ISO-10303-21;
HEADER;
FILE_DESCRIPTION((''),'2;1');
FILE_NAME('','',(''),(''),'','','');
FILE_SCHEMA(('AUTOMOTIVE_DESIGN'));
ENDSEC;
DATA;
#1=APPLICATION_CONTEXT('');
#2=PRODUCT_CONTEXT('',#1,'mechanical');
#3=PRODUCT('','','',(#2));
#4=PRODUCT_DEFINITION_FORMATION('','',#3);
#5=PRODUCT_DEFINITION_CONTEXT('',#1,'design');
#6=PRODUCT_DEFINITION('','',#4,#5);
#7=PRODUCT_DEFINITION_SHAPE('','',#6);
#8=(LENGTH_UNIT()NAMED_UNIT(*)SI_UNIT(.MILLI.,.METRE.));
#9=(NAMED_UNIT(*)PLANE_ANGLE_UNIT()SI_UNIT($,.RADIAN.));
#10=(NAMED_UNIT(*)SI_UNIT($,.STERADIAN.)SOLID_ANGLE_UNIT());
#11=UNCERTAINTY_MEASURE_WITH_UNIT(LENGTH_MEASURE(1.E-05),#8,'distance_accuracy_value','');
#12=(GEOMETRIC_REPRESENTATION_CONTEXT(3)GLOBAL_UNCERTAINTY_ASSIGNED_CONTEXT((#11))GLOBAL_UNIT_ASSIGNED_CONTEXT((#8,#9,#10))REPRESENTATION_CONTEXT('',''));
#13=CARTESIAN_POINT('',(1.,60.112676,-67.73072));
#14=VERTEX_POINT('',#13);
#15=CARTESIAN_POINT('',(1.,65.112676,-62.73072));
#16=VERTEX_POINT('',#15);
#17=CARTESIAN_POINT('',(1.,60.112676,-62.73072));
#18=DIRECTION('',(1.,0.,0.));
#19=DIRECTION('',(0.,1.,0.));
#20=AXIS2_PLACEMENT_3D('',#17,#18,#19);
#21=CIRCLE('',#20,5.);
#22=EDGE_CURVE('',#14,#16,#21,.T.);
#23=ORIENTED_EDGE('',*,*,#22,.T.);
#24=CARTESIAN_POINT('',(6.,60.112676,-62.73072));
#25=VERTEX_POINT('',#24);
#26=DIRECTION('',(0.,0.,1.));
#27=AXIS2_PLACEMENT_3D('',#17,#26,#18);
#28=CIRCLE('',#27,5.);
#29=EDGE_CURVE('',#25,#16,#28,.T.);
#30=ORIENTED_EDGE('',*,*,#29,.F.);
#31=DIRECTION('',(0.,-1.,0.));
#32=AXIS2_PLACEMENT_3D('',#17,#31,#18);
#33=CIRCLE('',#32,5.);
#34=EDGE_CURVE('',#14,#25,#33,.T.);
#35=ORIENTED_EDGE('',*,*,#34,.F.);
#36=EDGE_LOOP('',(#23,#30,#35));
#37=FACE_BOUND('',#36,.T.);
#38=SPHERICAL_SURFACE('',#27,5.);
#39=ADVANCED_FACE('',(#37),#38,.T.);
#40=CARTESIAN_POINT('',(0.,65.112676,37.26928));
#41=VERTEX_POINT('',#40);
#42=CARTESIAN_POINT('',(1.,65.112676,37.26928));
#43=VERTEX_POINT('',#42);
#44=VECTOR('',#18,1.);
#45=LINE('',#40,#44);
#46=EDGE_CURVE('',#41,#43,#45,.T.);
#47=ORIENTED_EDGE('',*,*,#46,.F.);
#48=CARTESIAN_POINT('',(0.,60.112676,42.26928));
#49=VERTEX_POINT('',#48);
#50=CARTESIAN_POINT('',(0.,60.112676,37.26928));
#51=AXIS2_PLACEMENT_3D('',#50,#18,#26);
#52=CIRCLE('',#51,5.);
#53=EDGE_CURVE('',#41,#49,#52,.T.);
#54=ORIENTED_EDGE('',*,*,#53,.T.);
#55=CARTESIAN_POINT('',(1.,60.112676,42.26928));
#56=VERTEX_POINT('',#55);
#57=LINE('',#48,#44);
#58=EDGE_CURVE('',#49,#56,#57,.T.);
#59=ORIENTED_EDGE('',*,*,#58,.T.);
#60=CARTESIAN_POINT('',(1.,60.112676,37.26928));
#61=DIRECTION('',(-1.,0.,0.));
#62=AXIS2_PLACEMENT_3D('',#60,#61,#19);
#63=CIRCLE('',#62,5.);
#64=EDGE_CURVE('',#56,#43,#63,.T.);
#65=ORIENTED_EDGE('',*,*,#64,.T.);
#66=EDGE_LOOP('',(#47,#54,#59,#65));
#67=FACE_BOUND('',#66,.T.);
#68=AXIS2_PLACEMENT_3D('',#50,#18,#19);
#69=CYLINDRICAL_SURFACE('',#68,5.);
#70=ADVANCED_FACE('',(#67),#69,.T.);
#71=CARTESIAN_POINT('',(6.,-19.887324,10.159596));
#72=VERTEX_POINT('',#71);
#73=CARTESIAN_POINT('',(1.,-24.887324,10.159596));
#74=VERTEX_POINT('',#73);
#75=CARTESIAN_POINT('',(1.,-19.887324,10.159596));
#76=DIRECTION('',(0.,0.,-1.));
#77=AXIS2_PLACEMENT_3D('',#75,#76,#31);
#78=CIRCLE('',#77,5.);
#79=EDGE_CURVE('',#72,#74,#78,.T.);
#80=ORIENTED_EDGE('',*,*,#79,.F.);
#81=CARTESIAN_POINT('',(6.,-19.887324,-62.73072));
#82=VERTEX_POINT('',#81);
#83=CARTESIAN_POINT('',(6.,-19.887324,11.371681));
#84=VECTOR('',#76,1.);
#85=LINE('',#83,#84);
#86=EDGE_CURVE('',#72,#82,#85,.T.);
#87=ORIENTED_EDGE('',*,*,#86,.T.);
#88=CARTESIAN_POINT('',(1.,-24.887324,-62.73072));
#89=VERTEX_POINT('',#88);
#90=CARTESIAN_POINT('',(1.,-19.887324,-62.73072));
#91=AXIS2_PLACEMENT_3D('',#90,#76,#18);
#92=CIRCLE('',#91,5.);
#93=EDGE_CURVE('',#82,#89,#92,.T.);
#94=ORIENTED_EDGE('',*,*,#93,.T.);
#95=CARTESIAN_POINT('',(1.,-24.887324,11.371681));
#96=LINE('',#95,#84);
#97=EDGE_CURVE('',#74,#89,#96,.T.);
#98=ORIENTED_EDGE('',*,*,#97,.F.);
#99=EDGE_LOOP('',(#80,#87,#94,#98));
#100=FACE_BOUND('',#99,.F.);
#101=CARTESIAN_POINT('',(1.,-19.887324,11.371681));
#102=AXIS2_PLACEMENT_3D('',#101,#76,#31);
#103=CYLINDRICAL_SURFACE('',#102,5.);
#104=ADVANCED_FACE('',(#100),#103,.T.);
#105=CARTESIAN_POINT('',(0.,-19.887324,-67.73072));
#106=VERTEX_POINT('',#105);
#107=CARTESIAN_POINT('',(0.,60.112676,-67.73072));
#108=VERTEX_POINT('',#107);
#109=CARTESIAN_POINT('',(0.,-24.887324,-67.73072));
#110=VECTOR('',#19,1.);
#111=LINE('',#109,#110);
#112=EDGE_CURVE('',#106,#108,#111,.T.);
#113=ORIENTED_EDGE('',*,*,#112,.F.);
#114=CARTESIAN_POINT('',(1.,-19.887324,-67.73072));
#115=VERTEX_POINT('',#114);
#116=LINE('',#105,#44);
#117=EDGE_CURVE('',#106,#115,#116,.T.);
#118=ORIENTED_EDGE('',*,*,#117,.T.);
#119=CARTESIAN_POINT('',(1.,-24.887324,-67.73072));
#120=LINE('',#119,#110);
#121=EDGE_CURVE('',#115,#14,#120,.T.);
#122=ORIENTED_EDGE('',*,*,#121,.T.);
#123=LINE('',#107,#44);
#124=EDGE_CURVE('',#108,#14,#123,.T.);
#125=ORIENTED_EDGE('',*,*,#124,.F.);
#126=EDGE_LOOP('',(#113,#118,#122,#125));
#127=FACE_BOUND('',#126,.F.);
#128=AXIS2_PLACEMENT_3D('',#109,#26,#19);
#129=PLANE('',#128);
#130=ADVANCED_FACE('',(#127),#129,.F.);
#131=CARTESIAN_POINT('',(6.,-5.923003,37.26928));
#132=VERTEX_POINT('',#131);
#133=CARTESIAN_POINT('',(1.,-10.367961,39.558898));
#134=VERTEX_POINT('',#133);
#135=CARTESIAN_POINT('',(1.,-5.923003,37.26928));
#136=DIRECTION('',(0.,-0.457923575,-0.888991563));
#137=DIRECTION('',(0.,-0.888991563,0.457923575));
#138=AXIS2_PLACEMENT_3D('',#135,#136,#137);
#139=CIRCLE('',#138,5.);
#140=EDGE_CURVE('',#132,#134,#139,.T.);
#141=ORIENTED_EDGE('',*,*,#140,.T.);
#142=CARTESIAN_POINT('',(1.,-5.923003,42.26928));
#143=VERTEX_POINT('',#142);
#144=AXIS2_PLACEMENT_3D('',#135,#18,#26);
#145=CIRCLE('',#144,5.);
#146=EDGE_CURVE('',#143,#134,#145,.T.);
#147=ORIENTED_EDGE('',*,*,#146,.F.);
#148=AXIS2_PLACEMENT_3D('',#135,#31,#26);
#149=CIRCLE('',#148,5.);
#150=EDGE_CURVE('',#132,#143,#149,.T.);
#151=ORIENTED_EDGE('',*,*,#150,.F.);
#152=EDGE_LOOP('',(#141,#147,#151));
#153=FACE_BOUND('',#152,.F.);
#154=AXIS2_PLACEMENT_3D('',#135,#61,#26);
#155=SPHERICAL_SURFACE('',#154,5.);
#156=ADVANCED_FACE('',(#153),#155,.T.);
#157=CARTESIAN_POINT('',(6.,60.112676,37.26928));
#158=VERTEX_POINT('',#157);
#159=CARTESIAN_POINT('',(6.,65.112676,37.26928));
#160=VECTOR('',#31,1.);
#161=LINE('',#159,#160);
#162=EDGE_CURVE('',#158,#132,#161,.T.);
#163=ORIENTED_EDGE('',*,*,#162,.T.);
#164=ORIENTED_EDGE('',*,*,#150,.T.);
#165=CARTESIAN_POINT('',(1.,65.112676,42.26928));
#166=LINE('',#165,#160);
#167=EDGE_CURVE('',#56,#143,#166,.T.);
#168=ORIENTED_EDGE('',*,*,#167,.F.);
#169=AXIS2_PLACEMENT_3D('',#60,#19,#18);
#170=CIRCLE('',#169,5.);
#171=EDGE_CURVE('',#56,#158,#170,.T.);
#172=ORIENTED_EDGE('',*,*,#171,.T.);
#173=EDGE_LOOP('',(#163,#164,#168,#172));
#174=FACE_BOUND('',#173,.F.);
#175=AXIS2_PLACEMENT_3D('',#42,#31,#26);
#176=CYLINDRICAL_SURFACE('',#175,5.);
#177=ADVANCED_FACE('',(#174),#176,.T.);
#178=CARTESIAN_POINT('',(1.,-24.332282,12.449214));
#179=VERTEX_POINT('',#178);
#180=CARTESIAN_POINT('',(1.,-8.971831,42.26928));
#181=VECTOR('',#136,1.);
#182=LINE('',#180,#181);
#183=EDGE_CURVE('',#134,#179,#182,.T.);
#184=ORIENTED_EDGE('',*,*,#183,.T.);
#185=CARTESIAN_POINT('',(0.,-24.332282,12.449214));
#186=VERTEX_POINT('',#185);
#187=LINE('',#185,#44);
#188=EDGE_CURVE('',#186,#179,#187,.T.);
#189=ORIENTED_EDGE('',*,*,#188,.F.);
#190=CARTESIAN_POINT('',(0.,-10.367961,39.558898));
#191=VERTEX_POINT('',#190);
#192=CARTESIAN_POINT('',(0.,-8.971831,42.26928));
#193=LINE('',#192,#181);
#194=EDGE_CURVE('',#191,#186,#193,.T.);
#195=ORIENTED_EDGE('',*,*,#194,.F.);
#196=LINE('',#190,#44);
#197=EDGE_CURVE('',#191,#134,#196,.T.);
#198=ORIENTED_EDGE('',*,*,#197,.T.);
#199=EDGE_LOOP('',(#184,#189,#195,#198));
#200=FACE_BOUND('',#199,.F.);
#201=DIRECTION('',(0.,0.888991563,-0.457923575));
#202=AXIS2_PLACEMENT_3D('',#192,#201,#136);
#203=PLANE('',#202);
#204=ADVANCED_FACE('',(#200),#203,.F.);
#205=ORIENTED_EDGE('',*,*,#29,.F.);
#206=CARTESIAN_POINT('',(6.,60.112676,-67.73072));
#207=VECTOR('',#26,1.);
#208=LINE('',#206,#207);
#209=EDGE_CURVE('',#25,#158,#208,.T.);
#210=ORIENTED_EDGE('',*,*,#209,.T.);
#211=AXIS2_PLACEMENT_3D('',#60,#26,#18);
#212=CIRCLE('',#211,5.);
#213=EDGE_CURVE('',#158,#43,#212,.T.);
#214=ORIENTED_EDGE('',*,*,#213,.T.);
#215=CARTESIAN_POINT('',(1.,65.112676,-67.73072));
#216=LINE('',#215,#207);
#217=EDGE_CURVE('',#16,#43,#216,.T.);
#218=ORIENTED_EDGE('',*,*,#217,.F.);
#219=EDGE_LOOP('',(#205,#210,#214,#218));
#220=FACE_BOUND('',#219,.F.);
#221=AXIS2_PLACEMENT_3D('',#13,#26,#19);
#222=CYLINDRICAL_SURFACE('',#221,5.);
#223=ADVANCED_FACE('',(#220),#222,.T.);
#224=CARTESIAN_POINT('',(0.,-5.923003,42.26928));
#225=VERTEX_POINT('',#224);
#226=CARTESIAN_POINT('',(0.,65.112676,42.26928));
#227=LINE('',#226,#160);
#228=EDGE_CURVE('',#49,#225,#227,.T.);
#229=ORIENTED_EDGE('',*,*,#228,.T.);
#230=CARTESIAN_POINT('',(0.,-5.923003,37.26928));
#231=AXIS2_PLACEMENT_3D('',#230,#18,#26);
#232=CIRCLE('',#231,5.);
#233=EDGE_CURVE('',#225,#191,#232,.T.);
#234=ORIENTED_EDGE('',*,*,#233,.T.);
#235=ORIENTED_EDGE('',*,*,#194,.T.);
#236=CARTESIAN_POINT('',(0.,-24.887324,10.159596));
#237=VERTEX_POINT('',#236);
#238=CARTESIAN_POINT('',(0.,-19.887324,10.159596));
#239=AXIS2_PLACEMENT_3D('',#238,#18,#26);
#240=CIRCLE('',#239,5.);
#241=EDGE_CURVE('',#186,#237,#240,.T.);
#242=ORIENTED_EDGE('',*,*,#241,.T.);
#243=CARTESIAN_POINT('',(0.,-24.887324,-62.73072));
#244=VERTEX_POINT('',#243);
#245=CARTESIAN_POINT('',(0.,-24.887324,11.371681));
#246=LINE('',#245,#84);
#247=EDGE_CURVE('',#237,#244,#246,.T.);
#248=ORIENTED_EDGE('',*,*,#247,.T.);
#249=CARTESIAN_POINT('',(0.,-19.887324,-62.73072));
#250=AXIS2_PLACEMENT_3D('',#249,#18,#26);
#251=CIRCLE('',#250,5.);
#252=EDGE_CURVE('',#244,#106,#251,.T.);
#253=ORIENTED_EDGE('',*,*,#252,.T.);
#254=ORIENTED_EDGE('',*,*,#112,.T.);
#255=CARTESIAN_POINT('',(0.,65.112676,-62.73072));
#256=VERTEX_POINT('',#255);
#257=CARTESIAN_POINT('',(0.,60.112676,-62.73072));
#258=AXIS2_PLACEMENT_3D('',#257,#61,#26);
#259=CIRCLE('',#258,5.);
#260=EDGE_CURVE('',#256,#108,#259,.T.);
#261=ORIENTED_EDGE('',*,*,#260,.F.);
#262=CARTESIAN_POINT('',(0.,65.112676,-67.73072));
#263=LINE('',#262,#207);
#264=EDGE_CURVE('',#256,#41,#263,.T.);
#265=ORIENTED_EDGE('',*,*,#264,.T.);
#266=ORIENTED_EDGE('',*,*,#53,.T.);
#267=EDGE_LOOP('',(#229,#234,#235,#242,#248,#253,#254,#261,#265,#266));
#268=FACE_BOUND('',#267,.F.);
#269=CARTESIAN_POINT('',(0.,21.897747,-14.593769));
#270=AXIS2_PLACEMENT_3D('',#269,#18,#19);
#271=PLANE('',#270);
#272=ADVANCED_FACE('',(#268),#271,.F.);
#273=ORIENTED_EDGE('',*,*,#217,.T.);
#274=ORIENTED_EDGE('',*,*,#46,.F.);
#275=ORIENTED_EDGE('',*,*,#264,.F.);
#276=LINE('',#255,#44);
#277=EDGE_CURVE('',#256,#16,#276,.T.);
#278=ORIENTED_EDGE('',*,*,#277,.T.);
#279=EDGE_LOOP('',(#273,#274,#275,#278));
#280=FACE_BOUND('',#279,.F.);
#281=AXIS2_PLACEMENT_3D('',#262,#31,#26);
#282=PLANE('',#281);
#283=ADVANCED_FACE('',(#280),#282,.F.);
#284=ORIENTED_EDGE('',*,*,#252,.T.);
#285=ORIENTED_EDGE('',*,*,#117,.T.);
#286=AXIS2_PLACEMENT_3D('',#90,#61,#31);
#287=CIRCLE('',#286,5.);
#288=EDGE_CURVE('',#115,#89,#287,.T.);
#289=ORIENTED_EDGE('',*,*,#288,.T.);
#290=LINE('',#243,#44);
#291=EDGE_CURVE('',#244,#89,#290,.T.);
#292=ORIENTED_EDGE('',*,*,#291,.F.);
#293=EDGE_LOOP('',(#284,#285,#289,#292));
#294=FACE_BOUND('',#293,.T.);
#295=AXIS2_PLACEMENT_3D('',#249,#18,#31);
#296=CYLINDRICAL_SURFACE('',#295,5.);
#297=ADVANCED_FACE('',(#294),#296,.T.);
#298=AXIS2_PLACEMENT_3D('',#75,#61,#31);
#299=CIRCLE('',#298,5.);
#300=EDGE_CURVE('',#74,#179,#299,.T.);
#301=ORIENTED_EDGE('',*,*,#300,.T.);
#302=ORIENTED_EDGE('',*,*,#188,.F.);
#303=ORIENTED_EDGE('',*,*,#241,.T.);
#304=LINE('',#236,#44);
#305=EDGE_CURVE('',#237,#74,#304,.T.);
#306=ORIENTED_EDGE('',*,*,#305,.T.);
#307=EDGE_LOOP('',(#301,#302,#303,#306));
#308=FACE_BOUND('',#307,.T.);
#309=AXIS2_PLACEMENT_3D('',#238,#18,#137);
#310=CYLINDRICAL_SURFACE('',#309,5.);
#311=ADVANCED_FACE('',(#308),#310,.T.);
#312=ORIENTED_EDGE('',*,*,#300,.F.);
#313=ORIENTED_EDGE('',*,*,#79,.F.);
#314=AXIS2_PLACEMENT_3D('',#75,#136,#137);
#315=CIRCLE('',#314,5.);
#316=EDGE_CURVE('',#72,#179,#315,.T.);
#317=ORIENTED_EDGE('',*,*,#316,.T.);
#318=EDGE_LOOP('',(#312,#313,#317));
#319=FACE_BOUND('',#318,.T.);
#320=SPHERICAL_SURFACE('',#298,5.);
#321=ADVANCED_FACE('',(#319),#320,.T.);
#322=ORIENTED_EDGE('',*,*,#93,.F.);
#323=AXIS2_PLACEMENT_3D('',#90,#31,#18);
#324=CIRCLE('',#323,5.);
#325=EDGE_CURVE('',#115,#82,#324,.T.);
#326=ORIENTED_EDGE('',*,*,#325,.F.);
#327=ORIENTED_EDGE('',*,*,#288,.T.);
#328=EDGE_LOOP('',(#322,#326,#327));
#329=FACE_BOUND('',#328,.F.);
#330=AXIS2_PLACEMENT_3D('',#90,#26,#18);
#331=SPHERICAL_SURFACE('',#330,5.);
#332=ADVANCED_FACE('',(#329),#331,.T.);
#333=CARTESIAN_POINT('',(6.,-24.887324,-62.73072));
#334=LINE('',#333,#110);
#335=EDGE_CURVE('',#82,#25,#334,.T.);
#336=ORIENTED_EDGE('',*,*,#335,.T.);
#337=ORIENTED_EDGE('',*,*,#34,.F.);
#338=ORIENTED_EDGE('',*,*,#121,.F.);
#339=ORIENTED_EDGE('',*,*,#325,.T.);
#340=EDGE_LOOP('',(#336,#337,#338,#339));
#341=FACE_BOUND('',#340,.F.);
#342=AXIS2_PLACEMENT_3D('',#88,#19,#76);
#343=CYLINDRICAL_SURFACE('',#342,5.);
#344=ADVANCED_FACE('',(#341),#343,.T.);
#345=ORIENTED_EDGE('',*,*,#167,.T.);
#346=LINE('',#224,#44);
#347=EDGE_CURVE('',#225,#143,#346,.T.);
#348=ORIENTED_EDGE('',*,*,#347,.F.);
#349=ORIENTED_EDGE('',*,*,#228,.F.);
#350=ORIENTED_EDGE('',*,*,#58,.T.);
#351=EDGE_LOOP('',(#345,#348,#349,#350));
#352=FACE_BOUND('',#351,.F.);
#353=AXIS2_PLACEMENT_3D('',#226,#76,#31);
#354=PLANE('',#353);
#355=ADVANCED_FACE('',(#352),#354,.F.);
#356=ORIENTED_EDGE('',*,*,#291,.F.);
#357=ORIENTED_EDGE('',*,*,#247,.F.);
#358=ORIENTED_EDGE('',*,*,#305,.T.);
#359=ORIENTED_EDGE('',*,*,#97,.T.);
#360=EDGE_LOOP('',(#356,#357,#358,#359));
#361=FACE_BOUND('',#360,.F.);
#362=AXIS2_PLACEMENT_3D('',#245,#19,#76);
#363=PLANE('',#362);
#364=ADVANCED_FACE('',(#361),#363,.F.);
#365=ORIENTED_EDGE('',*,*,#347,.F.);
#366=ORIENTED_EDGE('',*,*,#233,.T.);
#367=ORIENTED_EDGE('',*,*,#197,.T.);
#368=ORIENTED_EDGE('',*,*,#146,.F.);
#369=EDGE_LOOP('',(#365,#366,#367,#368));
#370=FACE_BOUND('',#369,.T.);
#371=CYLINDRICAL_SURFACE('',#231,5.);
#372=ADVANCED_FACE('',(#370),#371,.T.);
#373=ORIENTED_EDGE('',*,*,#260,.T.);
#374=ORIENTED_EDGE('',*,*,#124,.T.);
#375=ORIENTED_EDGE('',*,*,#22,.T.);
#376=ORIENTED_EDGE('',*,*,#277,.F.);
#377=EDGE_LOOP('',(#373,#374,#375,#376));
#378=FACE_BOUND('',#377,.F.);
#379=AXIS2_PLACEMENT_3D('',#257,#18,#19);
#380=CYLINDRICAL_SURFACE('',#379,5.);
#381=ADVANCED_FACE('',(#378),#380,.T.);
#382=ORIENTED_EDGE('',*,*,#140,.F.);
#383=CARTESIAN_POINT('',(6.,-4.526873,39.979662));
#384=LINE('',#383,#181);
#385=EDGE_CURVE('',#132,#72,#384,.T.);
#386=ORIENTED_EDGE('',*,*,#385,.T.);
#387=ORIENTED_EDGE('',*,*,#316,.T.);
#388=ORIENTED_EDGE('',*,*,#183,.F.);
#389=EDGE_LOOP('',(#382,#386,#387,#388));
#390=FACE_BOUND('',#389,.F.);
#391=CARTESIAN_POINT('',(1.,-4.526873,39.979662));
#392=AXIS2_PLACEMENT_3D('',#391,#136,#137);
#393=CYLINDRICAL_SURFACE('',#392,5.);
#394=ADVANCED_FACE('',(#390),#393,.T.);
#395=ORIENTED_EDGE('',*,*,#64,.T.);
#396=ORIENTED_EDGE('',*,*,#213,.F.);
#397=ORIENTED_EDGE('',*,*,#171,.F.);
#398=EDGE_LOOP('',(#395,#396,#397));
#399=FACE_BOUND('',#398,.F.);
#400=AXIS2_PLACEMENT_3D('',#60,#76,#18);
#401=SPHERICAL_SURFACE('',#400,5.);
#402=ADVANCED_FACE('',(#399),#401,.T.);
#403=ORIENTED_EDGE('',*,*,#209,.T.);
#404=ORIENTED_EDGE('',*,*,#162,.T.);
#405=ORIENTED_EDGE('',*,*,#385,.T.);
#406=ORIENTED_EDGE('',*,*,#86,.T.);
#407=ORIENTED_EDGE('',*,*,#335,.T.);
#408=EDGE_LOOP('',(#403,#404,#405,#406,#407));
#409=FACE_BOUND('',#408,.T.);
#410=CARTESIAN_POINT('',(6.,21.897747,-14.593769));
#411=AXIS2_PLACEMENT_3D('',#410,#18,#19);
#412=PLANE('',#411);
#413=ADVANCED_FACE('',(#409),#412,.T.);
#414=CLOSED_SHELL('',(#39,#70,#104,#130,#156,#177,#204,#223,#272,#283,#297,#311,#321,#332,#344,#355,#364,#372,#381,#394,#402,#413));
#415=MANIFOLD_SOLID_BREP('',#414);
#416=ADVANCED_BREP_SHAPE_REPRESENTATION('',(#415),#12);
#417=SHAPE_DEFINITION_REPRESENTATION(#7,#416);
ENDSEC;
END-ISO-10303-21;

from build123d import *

# Parameters (mm, degrees)
F1_DEPTH = 6
F2_R     = 5


with BuildPart() as f1:
    # F0 (on Right) → F1 (new body)
    with BuildSketch(Plane.YZ):
        Polygon((65.112676, -67.73072), (65.112676, 42.26928), (-8.971831, 42.26928), (-24.887324, 11.371681), (-24.887324, -67.73072), align=None)
    extrude(amount=F1_DEPTH)

    # F2
    f2_edges = [f1.edges().sort_by_distance(p)[0] for p in [
        (6, 65.112676, -12.73072),
        (6, 28.070422, 42.26928),
        (6, -24.887324, -28.17952),
        (6, 20.112676, -67.73072),
        (6, -16.929578, 26.82048),
        (3, -24.887324, 11.371681),
        (3, -8.971831, 42.26928),
        (3, -24.887324, -67.73072),
        (3, 65.112676, 42.26928),
        (3, 65.112676, -67.73072),
    ]]
    fillet(f2_edges, radius=F2_R)


solid = f1.part
